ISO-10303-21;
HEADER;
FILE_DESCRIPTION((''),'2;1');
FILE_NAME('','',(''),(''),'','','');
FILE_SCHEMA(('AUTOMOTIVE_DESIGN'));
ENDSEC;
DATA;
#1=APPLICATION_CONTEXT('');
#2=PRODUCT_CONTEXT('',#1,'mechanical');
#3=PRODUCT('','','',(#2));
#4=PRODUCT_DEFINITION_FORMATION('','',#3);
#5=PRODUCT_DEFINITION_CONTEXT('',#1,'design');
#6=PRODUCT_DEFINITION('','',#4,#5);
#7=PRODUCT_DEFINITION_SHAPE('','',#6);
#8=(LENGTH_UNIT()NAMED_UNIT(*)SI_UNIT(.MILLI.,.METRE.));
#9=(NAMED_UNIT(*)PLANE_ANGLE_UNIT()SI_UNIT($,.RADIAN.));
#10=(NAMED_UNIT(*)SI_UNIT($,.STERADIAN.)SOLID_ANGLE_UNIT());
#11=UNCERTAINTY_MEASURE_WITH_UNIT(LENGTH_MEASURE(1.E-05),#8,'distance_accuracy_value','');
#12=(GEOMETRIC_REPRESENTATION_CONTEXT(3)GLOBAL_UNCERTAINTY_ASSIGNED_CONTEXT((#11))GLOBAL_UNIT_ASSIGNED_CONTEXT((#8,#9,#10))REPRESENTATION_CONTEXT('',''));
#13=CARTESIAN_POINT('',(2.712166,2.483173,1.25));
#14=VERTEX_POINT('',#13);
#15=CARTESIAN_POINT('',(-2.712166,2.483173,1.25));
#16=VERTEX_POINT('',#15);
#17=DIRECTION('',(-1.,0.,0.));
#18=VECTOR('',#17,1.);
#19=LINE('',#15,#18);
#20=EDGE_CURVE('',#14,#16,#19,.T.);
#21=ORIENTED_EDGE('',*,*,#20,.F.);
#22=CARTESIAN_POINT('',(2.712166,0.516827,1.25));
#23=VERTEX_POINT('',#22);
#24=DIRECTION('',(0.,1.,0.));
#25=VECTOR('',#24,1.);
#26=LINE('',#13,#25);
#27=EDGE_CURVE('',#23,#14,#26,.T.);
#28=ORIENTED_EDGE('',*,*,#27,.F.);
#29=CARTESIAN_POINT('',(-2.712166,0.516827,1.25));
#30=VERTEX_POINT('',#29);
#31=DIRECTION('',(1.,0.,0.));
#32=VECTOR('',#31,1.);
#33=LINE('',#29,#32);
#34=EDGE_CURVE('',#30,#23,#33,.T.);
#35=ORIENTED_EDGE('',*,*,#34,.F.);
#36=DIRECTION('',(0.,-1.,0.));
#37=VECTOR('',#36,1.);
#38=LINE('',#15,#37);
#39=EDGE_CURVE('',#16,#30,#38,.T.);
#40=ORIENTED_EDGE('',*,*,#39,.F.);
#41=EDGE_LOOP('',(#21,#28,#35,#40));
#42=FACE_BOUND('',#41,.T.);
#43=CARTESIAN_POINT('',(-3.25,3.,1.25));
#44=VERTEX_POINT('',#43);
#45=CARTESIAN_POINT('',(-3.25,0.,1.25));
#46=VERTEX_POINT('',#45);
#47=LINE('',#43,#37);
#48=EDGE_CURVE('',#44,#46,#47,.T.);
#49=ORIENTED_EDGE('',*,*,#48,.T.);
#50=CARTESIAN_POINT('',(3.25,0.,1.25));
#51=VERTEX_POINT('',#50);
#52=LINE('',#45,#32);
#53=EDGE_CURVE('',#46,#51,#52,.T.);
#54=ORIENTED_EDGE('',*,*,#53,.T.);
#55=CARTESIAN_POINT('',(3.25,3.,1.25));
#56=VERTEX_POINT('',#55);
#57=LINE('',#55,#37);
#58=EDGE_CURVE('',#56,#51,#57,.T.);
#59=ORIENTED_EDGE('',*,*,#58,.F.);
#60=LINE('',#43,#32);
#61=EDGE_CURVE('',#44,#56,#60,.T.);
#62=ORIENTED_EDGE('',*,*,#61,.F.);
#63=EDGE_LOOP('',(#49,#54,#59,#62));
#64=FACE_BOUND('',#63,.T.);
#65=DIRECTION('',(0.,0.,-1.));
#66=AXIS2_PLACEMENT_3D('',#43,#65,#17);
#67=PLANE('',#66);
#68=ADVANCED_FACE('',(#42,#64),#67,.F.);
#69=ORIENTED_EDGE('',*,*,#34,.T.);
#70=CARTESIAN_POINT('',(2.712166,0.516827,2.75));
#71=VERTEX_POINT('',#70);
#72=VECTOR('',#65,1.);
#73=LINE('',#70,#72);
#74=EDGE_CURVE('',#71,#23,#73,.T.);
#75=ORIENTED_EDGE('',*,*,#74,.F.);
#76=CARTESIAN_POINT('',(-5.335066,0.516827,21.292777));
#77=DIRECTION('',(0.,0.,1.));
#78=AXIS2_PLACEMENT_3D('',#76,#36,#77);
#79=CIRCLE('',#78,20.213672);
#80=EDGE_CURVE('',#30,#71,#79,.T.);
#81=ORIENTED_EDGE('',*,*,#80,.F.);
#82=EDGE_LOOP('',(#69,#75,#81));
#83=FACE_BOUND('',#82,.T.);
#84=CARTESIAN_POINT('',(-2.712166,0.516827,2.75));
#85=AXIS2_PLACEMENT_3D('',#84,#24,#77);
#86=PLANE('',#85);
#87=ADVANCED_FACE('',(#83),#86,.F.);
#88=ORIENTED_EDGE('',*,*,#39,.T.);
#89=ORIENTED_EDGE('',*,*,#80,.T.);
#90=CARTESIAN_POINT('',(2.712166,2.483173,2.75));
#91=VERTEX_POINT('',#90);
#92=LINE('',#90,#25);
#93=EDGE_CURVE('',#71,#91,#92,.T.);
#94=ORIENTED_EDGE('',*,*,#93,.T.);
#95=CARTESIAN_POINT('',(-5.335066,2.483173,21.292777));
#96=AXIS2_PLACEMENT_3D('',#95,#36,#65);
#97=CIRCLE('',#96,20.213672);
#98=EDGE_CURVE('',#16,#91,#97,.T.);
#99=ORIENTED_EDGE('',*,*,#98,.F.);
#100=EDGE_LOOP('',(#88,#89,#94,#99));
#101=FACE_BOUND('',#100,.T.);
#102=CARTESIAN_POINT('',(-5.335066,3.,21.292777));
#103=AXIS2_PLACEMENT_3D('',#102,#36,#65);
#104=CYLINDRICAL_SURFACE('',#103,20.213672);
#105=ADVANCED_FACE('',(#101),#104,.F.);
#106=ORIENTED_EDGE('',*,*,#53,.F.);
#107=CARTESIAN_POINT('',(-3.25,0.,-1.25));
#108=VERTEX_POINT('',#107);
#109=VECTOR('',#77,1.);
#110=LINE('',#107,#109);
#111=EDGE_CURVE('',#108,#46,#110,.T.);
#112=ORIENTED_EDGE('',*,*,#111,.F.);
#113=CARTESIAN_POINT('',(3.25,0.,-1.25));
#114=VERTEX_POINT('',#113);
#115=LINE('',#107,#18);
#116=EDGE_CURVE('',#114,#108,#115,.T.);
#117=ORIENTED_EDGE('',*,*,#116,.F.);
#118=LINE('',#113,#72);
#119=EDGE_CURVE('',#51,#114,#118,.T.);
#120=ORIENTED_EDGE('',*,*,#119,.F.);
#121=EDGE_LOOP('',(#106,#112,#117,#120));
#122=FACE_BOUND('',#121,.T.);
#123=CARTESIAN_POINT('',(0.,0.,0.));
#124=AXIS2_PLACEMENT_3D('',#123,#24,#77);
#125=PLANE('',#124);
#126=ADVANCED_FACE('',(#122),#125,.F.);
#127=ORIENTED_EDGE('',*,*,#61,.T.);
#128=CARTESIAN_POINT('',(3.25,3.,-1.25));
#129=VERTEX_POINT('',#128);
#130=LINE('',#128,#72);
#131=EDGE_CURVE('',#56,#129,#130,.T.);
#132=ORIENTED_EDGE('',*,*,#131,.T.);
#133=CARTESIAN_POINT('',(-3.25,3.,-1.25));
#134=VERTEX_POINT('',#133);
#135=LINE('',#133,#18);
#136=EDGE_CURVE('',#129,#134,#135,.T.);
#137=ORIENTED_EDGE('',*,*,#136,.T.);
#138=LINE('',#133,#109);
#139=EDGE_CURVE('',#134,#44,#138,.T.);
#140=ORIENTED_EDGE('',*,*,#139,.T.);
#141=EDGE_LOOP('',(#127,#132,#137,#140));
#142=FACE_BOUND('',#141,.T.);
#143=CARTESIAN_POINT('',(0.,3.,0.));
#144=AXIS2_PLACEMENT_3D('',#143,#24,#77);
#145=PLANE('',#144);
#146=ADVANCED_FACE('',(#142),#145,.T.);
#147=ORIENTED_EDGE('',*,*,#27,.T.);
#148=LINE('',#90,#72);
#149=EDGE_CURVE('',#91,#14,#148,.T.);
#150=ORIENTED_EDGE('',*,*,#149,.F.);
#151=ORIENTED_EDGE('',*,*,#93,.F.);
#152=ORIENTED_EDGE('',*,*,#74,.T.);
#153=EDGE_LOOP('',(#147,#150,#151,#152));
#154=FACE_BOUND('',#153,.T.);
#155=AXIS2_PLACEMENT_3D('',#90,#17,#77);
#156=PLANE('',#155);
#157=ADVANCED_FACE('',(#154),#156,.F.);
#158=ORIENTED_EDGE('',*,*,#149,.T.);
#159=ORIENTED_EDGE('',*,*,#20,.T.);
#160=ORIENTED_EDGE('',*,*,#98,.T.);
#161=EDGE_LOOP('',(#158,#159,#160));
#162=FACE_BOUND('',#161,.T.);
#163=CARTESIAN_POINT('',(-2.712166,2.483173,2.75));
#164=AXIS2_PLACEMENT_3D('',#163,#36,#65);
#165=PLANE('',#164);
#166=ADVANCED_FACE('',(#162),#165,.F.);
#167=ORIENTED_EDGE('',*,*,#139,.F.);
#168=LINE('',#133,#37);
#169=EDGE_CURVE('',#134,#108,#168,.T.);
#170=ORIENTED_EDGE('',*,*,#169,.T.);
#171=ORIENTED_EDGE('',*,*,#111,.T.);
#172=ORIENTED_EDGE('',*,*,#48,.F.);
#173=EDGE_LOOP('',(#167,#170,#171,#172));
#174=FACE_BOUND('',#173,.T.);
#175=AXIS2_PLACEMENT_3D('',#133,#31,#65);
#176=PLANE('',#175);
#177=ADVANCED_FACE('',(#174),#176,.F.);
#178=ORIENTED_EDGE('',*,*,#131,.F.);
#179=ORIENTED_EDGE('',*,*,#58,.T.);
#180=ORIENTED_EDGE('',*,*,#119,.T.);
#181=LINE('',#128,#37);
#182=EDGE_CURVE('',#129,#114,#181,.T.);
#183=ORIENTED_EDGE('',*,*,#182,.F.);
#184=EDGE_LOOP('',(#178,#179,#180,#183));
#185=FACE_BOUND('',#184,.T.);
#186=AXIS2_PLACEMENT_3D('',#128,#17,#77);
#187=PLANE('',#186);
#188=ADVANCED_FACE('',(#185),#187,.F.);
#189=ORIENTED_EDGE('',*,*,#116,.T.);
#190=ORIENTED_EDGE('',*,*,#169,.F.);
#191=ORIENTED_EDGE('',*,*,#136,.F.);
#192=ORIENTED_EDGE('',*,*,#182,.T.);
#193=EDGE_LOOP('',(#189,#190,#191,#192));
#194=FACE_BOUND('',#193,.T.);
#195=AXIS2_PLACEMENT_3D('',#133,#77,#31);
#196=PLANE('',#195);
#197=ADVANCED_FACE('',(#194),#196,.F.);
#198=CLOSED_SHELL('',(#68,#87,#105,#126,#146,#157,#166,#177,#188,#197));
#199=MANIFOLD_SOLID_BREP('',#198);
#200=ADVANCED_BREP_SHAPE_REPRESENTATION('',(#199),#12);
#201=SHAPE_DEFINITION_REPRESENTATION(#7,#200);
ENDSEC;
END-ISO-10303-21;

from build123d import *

# Parameters (mm, degrees)
SKETCH1_W           = 6.5
SKETCH1_H           = 2.5
BOSS_EXTRUDE1_DEPTH = 3
SKETCH2_W           = 5.424331786
SKETCH2_H           = 1.966345426
BOSS_EXTRUDE2_DEPTH = 1.5
CUT_EXTRUDE1_DEPTH  = 3.483172713


with BuildPart() as part:
    # Sketch1 → Boss-Extrude1 (new body)
    with BuildSketch(Plane(origin=(0, 0, 0), x_dir=(1, 0, 0), z_dir=(0, 1, 0))):
        Rectangle(SKETCH1_W, SKETCH1_H)
    extrude(amount=BOSS_EXTRUDE1_DEPTH)

    # Sketch2 → Boss-Extrude2 (add)
    with BuildSketch(Plane.XY.offset(1.25)):
        with Locations((0, 1.5)):
            Rectangle(SKETCH2_W, SKETCH2_H)
    extrude(amount=BOSS_EXTRUDE2_DEPTH)

    # Sketch4 → Cut-Extrude1 (cut, through all)
    with BuildSketch(Plane.XZ.offset(-0.516827287)):
        with BuildLine():
            Line((-2.712165893, 2.75), (2.712165893, 2.75))
            ThreePointArc((2.712165893, 2.75), (0.052459338, 1.810295429), (-2.712165893, 1.25))
            Line((-2.712165893, 1.25), (-2.712165893, 2.75))
        make_face()
    extrude(amount=-CUT_EXTRUDE1_DEPTH, mode=Mode.SUBTRACT)


solid = part.part
